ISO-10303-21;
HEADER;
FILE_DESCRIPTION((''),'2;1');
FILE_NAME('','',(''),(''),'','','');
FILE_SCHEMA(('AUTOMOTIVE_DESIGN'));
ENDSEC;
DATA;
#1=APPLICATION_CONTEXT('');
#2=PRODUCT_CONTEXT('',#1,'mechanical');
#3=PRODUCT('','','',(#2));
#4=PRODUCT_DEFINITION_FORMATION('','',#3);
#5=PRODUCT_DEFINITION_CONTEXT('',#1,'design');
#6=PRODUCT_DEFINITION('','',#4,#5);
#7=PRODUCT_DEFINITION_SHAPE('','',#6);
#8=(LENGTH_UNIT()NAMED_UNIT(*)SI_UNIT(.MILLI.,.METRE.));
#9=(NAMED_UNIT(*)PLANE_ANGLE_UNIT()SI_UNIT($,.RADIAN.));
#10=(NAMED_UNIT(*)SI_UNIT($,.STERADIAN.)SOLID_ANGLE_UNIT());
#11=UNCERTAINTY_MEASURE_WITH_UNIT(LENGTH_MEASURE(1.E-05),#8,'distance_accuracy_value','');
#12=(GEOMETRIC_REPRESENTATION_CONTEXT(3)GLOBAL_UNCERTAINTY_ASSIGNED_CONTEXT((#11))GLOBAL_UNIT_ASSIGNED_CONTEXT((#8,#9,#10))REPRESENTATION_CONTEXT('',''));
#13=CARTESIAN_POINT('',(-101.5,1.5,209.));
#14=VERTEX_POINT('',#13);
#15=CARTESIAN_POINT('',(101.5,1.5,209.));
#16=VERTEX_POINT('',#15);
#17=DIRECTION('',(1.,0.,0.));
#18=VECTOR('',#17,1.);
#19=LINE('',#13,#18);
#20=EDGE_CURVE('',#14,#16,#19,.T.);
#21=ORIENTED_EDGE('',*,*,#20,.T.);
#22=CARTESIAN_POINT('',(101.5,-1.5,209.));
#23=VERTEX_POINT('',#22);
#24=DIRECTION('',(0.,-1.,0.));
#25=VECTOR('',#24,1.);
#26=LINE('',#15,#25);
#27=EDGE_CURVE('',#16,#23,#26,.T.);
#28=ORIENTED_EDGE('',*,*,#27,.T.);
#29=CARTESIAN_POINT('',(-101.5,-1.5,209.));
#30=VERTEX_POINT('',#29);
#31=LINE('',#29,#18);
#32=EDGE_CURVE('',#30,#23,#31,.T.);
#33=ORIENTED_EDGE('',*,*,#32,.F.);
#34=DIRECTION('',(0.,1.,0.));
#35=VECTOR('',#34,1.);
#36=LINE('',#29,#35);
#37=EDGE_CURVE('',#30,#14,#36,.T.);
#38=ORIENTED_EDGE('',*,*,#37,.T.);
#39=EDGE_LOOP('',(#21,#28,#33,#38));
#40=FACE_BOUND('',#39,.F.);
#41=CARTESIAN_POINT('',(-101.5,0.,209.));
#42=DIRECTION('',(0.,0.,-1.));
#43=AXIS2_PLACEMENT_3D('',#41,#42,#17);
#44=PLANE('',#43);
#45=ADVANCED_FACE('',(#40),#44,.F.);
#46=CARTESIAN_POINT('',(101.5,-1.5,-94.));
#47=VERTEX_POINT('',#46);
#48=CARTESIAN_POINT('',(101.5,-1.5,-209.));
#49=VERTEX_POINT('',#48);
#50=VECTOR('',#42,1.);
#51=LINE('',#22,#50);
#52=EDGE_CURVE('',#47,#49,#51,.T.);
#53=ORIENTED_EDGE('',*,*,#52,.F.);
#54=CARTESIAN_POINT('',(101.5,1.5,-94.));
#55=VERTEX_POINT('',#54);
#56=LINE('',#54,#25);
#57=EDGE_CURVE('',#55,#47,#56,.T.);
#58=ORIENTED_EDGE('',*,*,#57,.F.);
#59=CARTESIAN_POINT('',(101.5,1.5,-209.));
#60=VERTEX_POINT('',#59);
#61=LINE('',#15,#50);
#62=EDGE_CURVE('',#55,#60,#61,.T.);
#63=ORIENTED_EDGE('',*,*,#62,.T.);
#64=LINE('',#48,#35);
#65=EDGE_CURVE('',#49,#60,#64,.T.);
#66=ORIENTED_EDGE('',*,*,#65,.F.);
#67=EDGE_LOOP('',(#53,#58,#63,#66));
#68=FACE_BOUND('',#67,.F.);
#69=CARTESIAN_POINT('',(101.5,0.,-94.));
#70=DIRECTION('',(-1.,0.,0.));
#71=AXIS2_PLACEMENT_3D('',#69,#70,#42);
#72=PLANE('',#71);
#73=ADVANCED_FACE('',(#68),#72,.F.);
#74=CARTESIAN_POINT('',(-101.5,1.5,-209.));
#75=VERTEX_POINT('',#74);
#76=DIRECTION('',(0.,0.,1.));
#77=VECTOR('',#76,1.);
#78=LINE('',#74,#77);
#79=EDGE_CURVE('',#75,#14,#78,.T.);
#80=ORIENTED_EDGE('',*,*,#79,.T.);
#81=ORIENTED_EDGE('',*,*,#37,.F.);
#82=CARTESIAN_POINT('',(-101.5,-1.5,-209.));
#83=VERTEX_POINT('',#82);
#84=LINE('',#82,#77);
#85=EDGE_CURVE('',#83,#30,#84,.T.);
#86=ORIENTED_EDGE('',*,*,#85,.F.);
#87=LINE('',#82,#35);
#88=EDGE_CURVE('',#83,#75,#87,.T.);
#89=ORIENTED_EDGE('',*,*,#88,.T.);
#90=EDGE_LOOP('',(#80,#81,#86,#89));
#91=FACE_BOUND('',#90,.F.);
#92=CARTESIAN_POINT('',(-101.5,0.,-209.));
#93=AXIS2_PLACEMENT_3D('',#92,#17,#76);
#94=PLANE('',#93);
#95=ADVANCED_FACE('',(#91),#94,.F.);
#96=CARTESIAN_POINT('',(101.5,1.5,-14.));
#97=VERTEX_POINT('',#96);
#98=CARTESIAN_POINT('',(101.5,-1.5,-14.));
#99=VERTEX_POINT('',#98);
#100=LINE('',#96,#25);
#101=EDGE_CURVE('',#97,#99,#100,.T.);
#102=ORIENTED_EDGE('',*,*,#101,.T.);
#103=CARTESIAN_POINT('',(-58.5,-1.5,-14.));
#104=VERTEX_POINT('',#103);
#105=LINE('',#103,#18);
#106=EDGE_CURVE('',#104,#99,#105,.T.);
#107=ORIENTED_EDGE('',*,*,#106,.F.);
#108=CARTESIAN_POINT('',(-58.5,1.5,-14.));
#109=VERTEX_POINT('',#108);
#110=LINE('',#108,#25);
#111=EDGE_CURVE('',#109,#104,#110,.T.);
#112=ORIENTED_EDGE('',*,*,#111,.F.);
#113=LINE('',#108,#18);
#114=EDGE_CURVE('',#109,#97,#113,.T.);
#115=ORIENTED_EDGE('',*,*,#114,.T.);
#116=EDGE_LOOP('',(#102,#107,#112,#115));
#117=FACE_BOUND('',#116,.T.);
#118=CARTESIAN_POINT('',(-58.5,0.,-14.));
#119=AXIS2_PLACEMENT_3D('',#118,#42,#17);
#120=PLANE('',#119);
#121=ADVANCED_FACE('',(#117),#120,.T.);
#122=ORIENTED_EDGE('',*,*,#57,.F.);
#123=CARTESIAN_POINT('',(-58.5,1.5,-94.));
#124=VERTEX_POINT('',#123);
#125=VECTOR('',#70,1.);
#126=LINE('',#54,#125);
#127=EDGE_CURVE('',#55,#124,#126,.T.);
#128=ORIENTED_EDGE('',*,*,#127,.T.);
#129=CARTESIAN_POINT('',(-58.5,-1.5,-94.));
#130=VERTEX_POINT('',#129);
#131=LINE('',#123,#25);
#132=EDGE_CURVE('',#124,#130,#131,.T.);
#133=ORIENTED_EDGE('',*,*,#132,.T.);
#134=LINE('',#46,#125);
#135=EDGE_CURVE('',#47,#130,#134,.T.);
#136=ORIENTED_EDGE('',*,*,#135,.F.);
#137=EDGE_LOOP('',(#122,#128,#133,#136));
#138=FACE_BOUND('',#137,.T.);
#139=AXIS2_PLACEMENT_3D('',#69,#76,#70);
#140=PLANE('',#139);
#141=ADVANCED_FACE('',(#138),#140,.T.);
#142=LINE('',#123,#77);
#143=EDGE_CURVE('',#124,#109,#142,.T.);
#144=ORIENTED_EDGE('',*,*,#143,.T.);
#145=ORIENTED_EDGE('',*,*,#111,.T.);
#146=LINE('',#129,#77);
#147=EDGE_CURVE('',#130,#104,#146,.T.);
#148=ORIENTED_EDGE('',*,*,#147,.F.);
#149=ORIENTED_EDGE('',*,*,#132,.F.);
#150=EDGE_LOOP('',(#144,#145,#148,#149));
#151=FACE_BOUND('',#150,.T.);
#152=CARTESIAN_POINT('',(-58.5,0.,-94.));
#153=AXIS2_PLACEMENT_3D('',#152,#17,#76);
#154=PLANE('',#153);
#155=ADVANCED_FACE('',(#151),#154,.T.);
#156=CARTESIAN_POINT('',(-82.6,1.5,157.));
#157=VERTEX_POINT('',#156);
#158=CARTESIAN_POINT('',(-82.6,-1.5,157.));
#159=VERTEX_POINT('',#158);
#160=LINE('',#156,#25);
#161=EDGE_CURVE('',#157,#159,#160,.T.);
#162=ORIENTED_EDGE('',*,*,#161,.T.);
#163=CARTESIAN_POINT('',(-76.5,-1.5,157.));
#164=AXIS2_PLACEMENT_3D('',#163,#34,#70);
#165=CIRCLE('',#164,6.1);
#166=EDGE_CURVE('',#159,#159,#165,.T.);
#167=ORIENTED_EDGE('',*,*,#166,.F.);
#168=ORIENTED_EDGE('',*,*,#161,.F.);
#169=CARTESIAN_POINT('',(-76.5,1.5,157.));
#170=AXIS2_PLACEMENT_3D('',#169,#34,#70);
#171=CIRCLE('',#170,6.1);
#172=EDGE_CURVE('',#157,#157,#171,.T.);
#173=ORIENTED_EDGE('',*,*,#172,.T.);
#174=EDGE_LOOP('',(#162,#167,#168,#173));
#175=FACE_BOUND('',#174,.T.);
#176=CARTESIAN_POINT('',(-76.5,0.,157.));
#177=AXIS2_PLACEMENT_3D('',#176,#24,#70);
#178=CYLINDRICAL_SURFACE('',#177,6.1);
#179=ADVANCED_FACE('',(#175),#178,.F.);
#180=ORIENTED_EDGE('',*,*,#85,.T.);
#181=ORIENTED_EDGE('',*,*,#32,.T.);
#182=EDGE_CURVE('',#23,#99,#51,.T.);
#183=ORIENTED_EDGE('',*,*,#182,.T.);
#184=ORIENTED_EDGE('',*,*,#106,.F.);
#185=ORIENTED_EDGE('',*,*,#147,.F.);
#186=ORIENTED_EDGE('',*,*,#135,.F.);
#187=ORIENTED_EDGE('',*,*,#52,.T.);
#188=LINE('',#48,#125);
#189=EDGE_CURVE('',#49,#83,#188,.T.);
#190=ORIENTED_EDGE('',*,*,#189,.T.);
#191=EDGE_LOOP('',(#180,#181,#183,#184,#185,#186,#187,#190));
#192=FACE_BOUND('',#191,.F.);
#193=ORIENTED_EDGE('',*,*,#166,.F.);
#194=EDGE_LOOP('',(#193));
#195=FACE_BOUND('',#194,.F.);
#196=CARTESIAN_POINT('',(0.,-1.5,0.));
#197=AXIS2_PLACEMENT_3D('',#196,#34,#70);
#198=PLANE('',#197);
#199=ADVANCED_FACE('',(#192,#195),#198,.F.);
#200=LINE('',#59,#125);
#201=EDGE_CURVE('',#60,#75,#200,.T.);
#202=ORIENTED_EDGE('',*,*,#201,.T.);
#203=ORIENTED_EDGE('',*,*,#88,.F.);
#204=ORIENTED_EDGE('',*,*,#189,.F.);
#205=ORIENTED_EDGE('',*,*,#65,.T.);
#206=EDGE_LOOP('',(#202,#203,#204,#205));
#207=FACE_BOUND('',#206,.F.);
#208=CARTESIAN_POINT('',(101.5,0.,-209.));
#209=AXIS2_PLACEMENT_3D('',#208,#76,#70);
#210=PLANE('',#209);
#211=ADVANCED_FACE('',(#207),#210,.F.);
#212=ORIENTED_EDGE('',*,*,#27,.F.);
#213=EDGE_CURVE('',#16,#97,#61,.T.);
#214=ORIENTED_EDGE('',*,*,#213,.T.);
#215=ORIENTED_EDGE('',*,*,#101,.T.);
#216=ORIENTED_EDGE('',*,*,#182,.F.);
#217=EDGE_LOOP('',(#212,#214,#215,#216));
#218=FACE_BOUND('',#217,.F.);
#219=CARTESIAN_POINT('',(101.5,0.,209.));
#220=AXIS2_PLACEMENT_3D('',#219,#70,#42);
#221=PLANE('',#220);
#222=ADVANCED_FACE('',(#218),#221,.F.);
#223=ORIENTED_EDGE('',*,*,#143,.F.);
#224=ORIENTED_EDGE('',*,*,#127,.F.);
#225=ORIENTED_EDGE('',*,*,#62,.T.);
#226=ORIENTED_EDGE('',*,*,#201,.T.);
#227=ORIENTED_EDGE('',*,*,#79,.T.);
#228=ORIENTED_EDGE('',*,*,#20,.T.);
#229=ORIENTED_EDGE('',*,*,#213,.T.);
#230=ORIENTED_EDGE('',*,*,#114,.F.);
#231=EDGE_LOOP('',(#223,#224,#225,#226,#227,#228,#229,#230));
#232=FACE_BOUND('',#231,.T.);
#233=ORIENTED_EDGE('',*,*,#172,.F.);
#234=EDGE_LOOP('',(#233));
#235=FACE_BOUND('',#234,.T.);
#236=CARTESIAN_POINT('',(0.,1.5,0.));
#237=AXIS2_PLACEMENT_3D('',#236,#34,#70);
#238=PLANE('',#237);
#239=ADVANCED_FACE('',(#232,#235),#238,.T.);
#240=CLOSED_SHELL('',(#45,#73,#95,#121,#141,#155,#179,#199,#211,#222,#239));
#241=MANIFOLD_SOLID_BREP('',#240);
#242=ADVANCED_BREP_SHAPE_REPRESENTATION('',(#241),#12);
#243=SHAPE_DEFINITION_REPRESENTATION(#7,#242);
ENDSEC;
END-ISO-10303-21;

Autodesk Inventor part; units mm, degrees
ref_plane "YZ Plane" through (0, 0, 0) normal (1, 0, 0) x (0, 1, 0)
ref_plane "XZ Plane" through (0, 0, 0) normal (0, 1, 0) x (-1, 0, 0)
ref_plane "XY Plane" through (0, 0, 0) normal (0, 0, 1) x (1, 0, 0)
sketch "Szkic1" plane through (0, 0, 0) normal (0, 1, 0) x (-1, 0, 0)
  line L0 (-101.5, -209) -> (101.5, -209)
  line L1 (101.5, -209) -> (101.5, 209)
  line L2 (101.5, 209) -> (-101.5, 209)
  line L3 (-101.5, 209) -> (-101.5, -209)
  line L4 (-101.5, -209) -> (101.5, 209) construction
  line L5 (101.5, -209) -> (-101.5, 209) construction
  line L6 (-101.5, -94) -> (58.5, -94)
  line L7 (58.5, -94) -> (58.5, -14)
  line L8 (58.5, -14) -> (-101.5, -14)
  line L9 (-101.5, -14) -> (-101.5, -94)
  circle A0 centre (76.5, 157) radius 6.1
  point P0 (0, 0)
  dimension "d0" = 203
  dimension "d1" = 418
  dimension "d2" = 160
  dimension "d3" = 80
  dimension "d4" = 115
  dimension "d5" = 12.2
  dimension "d6" = 25
  dimension "d7" = 52
extrude "Wyciągnięcie proste1" add sketch "Szkic1" along normal mid plane 3 contours L3 L6 L7 L8 L2 L1 L0
properties part number "scina_fronotwa"
